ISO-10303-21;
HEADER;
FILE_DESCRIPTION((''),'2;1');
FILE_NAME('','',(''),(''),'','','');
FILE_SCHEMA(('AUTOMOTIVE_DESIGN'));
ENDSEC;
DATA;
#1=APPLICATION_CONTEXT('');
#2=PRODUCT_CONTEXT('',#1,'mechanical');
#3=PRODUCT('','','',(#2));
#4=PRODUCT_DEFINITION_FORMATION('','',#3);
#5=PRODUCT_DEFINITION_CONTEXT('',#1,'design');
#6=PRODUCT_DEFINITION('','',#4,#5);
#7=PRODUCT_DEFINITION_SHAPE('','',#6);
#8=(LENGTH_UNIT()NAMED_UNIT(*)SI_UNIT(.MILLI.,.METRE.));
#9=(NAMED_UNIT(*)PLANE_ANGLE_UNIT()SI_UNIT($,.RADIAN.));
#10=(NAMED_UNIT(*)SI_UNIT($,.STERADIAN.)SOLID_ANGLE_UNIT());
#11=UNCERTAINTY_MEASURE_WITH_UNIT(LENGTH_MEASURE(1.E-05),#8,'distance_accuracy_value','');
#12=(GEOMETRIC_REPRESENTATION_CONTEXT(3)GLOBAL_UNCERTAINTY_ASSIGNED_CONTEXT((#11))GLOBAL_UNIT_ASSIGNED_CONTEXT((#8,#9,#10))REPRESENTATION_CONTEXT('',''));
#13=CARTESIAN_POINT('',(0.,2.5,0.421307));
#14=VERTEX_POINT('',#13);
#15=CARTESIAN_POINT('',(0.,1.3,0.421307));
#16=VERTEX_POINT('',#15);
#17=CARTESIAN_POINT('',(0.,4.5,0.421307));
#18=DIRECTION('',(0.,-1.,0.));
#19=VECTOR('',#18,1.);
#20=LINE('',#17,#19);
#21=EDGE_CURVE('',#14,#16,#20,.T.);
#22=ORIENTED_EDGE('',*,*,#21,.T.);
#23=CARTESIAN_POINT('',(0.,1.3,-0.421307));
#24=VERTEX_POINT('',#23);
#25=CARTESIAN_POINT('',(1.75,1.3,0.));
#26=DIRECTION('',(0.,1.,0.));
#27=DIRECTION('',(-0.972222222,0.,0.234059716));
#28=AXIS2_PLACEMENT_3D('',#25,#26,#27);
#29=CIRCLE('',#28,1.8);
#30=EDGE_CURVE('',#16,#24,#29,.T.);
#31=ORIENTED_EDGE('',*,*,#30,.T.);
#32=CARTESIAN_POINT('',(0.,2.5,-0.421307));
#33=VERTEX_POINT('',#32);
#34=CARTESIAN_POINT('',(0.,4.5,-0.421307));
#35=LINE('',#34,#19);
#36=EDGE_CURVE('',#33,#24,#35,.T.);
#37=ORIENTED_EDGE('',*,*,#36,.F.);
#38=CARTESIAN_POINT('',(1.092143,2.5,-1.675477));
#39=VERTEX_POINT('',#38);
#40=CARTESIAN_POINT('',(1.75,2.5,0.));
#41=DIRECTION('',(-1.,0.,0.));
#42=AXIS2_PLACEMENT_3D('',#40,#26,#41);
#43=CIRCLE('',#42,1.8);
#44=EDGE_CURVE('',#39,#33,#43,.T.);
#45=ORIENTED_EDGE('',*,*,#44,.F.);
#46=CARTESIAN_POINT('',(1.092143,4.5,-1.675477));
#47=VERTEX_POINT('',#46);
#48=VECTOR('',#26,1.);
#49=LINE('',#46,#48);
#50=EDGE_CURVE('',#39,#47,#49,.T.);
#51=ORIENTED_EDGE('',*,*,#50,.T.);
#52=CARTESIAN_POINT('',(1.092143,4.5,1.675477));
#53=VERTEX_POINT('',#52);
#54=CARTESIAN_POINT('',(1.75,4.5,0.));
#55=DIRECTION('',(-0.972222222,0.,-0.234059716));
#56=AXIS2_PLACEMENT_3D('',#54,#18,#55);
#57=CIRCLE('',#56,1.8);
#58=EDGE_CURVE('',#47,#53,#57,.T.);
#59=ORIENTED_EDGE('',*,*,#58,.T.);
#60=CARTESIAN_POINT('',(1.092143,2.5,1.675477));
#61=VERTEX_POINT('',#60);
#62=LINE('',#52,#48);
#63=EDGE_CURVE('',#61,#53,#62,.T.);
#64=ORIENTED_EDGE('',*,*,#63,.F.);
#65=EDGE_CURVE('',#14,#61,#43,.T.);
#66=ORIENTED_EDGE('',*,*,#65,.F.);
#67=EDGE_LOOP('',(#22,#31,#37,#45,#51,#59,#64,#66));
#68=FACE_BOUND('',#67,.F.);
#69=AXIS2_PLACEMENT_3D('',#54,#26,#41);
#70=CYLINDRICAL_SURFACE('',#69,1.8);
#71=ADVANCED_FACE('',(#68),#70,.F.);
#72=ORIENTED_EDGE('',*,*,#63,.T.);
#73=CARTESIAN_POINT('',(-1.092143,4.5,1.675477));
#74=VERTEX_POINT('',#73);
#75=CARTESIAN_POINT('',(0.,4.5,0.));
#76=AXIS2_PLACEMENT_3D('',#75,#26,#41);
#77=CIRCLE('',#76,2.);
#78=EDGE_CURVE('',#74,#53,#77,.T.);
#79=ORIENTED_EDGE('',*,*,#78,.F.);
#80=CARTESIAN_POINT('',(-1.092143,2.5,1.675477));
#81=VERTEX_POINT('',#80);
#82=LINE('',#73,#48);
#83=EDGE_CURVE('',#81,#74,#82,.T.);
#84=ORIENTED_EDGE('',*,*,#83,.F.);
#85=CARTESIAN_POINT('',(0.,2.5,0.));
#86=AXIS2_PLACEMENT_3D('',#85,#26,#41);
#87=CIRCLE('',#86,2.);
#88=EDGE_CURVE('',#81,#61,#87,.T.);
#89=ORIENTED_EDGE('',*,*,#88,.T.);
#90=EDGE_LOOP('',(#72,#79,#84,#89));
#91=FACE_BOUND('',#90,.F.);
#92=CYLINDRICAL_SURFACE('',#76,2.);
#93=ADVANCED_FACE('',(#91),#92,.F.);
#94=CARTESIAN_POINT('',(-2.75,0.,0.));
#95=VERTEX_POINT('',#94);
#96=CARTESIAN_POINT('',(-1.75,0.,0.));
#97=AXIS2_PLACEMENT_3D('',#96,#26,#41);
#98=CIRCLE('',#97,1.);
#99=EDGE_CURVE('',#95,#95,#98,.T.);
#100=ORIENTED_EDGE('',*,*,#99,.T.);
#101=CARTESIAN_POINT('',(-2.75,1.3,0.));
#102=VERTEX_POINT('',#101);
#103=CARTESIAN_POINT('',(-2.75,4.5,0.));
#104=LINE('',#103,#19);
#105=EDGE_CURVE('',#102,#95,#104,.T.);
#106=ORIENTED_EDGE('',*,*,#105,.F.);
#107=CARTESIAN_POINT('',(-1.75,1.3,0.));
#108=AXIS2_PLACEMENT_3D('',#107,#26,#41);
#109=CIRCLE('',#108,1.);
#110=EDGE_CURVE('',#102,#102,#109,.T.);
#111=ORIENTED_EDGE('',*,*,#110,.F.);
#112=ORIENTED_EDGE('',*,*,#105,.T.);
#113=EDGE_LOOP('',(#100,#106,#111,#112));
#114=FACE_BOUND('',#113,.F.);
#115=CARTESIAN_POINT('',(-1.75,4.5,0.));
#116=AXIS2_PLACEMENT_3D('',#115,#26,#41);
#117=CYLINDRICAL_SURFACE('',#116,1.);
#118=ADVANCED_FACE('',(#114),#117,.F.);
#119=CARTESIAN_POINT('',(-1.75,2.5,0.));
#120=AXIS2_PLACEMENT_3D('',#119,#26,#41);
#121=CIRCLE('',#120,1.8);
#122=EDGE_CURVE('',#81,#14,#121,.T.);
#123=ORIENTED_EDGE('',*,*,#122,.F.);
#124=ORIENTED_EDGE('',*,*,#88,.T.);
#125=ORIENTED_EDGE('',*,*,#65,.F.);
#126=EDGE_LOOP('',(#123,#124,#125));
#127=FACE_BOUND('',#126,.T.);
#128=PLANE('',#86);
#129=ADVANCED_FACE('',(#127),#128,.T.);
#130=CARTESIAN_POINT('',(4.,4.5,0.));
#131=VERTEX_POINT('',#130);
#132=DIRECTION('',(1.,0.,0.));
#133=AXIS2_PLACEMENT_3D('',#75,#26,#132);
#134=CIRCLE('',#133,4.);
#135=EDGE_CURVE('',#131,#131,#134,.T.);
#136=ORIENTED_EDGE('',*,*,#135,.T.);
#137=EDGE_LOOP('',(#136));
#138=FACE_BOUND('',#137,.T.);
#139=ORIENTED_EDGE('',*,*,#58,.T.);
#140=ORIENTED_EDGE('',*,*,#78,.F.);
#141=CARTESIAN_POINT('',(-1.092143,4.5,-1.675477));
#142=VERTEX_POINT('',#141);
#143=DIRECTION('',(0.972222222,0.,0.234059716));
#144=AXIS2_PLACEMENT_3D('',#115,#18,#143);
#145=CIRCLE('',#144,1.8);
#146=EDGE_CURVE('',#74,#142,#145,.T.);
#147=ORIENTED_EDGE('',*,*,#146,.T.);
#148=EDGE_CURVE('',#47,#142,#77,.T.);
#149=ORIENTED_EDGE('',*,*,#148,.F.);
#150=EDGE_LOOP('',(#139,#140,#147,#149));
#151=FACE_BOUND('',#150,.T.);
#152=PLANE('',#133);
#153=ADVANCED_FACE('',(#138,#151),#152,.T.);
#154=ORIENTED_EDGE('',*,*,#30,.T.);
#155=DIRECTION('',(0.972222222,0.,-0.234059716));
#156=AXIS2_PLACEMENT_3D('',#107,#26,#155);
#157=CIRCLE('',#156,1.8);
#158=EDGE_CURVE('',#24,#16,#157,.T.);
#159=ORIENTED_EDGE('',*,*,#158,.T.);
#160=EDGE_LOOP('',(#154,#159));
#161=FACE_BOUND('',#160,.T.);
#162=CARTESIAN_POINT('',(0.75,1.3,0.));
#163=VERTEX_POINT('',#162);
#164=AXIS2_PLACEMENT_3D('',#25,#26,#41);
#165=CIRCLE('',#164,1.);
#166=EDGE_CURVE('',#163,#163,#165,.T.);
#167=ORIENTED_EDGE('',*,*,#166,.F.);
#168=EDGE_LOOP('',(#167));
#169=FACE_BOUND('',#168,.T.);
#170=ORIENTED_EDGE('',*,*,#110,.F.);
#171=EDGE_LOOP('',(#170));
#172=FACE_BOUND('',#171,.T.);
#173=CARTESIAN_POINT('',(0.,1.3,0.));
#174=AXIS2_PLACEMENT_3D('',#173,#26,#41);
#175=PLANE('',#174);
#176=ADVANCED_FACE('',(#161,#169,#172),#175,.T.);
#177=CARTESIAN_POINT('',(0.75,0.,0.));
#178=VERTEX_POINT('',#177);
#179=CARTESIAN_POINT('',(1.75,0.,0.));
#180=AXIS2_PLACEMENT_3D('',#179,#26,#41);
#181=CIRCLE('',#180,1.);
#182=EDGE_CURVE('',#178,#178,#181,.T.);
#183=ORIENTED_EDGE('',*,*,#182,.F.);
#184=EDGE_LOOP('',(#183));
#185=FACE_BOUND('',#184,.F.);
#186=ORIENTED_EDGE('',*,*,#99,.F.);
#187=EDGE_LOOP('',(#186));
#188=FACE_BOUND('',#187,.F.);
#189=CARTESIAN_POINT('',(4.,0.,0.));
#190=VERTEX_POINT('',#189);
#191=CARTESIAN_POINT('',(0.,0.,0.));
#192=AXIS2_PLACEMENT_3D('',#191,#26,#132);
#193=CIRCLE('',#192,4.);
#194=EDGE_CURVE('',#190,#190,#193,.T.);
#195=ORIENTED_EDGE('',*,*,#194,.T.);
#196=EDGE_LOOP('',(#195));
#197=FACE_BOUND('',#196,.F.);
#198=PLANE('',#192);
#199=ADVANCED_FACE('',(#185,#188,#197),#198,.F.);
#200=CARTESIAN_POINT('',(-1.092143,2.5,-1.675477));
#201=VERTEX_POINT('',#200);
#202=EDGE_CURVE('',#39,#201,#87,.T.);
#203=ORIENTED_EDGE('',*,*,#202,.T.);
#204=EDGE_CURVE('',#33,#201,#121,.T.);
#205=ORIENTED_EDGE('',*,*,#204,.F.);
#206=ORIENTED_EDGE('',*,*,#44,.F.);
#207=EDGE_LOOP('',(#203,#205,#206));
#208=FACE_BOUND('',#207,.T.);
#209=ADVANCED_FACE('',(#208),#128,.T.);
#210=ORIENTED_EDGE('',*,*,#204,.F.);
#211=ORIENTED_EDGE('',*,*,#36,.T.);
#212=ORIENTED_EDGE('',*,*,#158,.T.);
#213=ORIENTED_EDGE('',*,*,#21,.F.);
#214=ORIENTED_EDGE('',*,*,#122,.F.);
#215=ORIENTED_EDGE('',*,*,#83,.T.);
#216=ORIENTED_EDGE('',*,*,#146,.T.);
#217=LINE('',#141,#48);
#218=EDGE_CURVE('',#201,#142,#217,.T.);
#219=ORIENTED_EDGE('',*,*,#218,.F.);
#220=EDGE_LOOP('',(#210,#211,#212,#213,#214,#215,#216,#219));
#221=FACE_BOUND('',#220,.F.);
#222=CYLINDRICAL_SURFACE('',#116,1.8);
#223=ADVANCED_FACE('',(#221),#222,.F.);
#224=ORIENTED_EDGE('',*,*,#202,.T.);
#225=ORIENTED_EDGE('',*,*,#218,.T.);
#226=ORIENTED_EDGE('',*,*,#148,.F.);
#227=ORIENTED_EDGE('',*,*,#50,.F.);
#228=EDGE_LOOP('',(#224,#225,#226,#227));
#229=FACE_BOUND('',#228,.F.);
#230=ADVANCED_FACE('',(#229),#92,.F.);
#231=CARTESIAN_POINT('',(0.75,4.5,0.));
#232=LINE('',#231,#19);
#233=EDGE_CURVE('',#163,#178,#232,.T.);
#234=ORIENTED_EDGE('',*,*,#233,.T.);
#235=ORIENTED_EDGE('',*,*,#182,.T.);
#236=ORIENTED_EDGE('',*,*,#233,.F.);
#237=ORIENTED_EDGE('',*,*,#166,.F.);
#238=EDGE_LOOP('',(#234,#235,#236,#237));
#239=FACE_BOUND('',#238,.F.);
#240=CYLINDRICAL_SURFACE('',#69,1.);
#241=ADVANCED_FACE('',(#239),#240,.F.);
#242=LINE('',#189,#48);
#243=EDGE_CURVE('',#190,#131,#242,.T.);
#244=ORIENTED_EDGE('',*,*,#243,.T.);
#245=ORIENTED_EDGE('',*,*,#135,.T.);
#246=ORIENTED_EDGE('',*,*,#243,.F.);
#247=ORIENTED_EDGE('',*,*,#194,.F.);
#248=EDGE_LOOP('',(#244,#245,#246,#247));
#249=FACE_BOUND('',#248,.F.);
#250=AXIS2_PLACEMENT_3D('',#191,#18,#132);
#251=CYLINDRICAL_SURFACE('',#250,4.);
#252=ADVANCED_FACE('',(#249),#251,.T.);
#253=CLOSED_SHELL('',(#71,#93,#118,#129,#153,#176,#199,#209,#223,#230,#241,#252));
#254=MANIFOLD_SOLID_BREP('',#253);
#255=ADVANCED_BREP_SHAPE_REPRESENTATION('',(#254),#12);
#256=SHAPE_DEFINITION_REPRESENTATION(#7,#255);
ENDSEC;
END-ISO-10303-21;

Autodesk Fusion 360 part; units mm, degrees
sketch "草图1" plane through (0, 0, 0) normal (0, 1, 0) x (1, 0, 0)
  circle A0 centre (0, 0) radius 4
  dimension "d1" = 8
extrude "拉伸1" add sketch "草图1" along normal blind 4.5
sketch "草图2" plane through (0, 4.5, 0) normal (0, 1, 0) x (-1, 0, 0)
  circle A0 centre (0, 0) radius 4
  circle A1 centre (0, 0) radius 2
  dimension "d4" = 4
extrude "拉伸2" cut sketch "草图2" against normal blind 2 contours A1
sketch "草图3" plane through (0, 4.5, 0) normal (0, 1, 0) x (-1, 0, 0)
  circle A0 centre (0, 0) radius 2
  circle A1 centre (0, 0) radius 4
  circle A2 centre (1.75, 0) radius 1.8
  circle A3 centre (-1.75, 0) radius 1.8
  dimension "d7" = 3.6
  dimension "d8" = 3.6
  dimension "d9" = 3.5
extrude "拉伸3" cut sketch "草图3" against normal blind 3.2 contours A0 A2 A3 | A0 A2 | A0 A2 A3 | A0 A3 | A2 A3 picked at (0.6739, -0.4996) picked at (-0.6772, -0.4762)
sketch "草图4" plane through (0, 4.5, 0) normal (0, 1, 0) x (-1, 0, 0)
  circle A0 centre (1.75, 0) radius 1
  circle A1 centre (-1.75, 0) radius 1
  dimension "d12" = 2
  dimension "d13" = 2
extrude "拉伸4" cut sketch "草图4" against normal blind 6.5
